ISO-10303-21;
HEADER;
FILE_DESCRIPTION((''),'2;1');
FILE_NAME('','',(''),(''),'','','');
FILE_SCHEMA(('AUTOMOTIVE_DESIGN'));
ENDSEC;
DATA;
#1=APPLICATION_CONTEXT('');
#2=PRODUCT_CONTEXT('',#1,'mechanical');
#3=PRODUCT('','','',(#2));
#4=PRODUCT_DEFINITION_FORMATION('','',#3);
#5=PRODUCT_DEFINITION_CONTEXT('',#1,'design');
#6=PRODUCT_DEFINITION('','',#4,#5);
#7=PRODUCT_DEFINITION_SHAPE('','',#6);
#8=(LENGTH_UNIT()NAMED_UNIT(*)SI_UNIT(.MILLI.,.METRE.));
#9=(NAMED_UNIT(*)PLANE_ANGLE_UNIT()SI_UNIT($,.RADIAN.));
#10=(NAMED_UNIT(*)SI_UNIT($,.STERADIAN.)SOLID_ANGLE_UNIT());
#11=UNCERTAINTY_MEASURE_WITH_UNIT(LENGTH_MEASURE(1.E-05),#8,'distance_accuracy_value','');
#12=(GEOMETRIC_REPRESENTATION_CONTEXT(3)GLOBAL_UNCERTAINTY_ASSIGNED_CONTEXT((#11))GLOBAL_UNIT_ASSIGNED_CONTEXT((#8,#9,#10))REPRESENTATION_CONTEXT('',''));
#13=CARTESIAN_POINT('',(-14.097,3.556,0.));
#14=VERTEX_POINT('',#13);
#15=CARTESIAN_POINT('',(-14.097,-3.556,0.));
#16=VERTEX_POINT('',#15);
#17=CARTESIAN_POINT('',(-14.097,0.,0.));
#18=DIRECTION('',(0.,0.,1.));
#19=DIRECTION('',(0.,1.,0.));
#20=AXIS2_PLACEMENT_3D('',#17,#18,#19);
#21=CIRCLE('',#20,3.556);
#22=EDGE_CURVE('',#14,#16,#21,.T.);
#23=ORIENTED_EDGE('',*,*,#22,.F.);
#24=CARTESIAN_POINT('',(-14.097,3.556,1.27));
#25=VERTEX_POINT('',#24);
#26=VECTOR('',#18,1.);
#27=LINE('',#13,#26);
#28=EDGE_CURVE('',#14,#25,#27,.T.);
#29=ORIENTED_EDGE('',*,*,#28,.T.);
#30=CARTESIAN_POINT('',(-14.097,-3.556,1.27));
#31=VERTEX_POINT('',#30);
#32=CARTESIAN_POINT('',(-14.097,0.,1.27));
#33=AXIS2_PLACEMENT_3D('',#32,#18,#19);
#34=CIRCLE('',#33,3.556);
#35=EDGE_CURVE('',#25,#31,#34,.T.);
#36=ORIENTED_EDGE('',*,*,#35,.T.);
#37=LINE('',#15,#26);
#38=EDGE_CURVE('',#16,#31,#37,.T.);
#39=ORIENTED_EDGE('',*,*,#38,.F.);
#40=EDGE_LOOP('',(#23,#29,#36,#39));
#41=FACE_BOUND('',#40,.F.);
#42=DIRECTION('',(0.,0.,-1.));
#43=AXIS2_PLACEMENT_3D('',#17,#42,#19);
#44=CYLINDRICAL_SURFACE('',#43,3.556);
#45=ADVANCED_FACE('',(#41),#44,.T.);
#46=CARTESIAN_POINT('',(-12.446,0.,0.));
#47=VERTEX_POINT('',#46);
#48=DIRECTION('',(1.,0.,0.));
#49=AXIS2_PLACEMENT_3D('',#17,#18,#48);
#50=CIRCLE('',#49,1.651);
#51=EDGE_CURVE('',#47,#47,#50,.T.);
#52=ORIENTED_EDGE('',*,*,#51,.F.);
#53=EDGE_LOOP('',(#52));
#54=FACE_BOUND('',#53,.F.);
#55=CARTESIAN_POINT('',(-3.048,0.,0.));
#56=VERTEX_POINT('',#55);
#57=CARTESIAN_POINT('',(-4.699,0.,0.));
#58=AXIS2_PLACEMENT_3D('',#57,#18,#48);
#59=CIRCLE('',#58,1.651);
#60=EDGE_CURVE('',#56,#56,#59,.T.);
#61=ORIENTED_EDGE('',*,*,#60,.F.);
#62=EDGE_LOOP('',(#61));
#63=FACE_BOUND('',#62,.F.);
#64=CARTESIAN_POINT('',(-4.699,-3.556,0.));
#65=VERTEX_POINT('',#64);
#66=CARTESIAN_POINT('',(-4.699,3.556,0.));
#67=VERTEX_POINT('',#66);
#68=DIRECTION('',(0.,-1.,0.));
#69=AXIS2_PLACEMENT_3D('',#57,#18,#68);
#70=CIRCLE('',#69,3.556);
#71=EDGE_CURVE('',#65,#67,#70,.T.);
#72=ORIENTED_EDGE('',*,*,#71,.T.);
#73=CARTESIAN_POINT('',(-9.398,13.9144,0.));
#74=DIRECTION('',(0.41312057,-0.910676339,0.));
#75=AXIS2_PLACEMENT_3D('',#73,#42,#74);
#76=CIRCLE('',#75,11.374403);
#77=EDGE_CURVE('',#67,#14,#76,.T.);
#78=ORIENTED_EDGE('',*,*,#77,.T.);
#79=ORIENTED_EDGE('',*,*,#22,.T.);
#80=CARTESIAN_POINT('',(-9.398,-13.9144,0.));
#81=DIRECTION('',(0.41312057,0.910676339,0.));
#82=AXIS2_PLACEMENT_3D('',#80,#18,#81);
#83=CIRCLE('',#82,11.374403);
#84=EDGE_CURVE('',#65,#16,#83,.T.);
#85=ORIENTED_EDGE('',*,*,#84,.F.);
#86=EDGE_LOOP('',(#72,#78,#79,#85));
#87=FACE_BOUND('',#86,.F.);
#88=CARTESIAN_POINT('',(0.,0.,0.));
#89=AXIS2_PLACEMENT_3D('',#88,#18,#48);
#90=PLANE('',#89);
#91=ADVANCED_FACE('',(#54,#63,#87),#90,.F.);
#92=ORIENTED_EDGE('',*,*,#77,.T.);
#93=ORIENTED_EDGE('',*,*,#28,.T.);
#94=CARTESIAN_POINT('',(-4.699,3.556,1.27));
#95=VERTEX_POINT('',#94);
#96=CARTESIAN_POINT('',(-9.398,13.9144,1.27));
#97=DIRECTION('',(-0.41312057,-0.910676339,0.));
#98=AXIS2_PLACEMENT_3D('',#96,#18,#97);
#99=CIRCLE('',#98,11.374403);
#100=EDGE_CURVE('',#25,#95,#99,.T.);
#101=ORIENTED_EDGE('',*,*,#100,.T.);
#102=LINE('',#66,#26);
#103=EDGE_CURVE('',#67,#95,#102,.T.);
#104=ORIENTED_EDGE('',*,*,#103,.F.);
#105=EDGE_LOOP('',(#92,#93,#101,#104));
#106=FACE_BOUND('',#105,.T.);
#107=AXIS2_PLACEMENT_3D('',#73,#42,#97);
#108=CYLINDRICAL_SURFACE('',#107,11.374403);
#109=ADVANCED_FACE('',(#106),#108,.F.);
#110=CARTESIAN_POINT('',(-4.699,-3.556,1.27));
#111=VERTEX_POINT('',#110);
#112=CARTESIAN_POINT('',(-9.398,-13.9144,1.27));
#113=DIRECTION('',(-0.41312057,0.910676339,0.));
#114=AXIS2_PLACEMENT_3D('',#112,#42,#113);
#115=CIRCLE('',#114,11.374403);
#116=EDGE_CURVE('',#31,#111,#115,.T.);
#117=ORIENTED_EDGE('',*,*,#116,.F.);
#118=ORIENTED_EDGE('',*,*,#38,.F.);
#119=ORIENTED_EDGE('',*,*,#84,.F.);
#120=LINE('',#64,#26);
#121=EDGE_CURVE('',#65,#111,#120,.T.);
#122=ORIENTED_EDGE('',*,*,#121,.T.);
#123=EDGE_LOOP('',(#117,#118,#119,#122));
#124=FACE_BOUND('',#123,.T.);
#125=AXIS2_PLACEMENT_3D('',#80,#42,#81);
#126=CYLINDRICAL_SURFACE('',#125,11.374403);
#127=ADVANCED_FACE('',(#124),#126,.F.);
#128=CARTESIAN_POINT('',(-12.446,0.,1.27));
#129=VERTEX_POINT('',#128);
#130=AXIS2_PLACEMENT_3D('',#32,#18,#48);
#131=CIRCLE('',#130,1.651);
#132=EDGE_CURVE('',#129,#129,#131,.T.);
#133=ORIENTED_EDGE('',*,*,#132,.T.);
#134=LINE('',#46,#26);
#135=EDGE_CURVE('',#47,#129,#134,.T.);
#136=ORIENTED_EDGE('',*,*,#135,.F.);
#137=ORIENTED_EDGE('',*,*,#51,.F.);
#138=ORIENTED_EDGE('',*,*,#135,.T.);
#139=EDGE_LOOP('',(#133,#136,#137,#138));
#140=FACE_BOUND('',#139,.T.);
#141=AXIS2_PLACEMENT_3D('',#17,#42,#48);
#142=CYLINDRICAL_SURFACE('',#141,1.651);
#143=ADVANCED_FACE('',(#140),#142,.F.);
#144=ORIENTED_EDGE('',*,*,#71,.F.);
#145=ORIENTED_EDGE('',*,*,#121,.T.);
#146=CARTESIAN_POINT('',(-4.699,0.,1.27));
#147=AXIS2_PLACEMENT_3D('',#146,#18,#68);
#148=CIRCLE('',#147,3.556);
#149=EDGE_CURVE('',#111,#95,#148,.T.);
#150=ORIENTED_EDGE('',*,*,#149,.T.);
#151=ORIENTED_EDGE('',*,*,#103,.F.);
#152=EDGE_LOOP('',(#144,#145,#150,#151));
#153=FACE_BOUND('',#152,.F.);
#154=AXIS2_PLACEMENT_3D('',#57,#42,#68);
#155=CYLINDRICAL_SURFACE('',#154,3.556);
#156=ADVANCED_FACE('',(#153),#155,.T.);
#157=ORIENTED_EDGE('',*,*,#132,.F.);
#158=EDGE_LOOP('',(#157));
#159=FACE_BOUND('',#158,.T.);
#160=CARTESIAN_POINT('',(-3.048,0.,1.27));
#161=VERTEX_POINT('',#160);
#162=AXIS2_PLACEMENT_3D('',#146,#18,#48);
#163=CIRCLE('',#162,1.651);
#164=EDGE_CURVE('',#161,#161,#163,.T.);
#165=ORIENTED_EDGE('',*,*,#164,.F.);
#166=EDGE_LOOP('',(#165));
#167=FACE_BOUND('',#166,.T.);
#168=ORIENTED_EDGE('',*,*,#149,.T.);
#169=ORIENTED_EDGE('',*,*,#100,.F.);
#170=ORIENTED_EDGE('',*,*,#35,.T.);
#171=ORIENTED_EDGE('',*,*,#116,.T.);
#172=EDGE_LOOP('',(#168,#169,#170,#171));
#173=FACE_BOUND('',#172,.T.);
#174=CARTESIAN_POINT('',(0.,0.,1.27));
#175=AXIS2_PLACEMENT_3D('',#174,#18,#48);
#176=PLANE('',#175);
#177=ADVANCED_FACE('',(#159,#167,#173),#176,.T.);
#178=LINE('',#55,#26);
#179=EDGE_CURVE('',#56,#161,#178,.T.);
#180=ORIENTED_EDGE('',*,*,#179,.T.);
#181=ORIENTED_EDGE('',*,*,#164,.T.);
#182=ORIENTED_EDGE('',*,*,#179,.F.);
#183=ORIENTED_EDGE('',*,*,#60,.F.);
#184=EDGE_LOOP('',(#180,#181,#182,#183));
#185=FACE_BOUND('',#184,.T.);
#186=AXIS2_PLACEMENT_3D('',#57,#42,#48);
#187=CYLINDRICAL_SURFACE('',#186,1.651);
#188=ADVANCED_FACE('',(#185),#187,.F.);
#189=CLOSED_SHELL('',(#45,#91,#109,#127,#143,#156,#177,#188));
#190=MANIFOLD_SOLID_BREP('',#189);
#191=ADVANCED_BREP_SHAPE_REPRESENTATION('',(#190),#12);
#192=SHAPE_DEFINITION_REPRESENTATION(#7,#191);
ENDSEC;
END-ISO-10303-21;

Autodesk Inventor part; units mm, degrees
ref_plane "YZ Plane" through (0, 0, 0) normal (1, 0, 0) x (0, 1, 0)
ref_plane "XZ Plane" through (0, 0, 0) normal (0, 1, 0) x (-1, 0, 0)
ref_plane "XY Plane" through (0, 0, 0) normal (0, 0, 1) x (1, 0, 0)
sketch "Sketch1" plane through (0, 0, 0) normal (0, 0, 1) x (1, 0, 0)
  arc A0 (-14.097, 3.556) -> (-14.097, -3.556) centre (-14.097, 0) ccw
  arc A1 (-4.699, -3.556) -> (-4.699, 3.556) centre (-4.699, 0) ccw
  line L0 (-9.398, -2.54) -> (-9.398, 2.54)
  arc A2 (-14.097, 3.556) -> (-4.699, 3.556) centre (-9.398, 13.9144) ccw
  arc A3 (-4.699, -3.556) -> (-14.097, -3.556) centre (-9.398, -13.9144) ccw
  circle A4 centre (-14.097, 0) radius 1.651
  circle A5 centre (-4.699, 0) radius 1.651
  point P0 (0, 0)
  dimension "d0" = 7.112
  dimension "d1" = 7.112
  dimension "d5" = 9.398
  dimension "d6" = 4.699
  dimension "d8" = 5.08
  dimension "d9" = 2.54
  dimension "d10" = 4.699
  dimension "d11" = 3.302
  dimension "d12" = 3.302
extrude "Extrusion1" add sketch "Sketch1" along normal blind 1.27
properties part number "outter_link"
